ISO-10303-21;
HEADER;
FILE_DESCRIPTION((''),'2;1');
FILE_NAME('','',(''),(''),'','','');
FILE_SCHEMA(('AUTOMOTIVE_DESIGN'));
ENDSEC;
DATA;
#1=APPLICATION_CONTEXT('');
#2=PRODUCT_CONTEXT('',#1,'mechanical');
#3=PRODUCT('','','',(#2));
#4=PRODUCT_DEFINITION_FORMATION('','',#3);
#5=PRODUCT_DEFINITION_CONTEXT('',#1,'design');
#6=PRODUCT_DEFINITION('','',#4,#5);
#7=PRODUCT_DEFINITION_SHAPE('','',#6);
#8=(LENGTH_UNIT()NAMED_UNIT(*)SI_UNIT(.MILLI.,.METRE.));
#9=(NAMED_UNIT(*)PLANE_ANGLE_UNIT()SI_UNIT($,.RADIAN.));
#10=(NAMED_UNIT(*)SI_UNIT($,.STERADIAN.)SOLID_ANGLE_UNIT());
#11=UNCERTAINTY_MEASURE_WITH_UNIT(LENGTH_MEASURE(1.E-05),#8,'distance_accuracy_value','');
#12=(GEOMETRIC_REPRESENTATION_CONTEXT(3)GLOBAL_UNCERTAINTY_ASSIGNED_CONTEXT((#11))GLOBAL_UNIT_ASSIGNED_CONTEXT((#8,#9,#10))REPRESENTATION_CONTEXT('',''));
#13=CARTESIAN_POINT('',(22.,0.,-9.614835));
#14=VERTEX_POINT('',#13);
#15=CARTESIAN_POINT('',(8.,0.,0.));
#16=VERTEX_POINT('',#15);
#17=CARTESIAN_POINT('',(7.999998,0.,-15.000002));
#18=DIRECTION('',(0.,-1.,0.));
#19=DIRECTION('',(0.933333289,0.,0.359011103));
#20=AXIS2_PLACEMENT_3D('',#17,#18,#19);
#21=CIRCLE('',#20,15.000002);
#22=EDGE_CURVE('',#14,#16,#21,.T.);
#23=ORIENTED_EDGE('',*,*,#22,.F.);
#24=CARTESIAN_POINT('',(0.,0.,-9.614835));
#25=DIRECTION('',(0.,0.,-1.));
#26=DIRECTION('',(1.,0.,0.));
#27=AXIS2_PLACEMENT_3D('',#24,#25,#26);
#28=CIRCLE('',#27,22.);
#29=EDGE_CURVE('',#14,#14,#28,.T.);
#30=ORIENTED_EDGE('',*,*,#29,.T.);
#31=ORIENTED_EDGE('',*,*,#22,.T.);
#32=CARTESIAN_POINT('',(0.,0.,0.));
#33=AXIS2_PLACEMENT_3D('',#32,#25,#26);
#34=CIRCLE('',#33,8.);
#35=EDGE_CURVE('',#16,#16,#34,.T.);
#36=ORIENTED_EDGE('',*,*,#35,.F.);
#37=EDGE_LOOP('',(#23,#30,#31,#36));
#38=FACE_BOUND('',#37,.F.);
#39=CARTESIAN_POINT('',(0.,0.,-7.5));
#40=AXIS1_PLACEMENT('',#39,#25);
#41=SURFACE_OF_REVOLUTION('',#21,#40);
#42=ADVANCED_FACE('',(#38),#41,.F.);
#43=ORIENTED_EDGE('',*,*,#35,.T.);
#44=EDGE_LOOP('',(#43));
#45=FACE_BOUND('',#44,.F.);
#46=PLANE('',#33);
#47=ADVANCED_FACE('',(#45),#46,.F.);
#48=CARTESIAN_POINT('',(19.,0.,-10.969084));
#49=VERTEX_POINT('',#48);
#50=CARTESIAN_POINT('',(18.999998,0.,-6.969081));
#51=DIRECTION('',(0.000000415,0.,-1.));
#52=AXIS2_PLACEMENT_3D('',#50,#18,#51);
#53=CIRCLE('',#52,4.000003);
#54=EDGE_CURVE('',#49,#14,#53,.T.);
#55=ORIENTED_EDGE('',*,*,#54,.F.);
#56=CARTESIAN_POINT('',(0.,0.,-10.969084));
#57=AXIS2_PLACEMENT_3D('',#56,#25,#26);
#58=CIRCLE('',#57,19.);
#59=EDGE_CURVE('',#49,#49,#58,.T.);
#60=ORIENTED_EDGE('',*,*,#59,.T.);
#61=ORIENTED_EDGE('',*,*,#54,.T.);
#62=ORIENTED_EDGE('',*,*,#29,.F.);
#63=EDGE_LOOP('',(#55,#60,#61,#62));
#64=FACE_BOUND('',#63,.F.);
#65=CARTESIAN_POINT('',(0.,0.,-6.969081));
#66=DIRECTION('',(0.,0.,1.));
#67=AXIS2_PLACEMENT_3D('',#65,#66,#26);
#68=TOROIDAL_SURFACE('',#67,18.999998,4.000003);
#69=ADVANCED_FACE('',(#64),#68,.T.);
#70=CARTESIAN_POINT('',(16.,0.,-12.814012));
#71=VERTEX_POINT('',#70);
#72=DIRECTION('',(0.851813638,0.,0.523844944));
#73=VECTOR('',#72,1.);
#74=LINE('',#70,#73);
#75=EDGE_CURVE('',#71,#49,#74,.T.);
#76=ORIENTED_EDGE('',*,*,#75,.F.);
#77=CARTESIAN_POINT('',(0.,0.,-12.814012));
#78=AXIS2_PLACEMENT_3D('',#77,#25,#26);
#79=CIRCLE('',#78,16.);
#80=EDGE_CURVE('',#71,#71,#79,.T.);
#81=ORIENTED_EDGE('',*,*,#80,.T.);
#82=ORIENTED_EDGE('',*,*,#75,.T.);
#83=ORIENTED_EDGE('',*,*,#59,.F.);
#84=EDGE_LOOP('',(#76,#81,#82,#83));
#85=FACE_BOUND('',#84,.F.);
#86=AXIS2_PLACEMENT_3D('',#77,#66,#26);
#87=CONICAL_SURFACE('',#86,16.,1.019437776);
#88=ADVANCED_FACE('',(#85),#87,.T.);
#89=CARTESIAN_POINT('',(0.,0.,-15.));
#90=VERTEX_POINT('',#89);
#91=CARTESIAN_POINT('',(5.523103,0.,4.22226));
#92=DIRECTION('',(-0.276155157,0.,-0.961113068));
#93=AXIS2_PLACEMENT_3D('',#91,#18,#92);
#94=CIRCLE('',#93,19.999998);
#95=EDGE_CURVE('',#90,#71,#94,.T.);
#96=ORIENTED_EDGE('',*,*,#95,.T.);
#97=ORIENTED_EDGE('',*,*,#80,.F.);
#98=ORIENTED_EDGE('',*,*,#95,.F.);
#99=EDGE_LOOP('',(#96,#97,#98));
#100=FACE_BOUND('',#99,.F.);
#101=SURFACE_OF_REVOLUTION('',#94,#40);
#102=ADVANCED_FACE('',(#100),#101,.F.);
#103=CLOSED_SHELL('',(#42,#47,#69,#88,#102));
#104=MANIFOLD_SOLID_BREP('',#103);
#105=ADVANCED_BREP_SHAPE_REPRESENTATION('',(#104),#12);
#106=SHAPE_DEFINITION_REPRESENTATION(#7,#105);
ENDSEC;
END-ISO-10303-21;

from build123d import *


with BuildPart() as f1:
    # F0 (on Front) → F1 (revolve)
    with BuildSketch(Plane.XZ):
        with BuildLine():
            Line((16, -12.814012), (0, -12.814012))
            Line((0, -12.814012), (0, -15))
            ThreePointArc((0, -15), (8.230436, -15.59365), (16, -12.814012))
        make_face()
        Polygon((19, -10.969084), (0, -10.969084), (0, -12.814012), (16, -12.814012), align=None)
        with BuildLine():
            Line((8, 0), (0, 0))
            Line((0, 0), (0, -10.969084))
            Line((0, -10.969084), (19, -10.969084))
            ThreePointArc((19, -10.969084), (20.645751, -10.614835), (22, -9.614835))
            ThreePointArc((22, -9.614835), (16.491835, -2.635182), (8, 0))
        make_face()
    revolve(axis=Axis((0, 0, -7.5), (0, 0, -1)))


solid = f1.part
